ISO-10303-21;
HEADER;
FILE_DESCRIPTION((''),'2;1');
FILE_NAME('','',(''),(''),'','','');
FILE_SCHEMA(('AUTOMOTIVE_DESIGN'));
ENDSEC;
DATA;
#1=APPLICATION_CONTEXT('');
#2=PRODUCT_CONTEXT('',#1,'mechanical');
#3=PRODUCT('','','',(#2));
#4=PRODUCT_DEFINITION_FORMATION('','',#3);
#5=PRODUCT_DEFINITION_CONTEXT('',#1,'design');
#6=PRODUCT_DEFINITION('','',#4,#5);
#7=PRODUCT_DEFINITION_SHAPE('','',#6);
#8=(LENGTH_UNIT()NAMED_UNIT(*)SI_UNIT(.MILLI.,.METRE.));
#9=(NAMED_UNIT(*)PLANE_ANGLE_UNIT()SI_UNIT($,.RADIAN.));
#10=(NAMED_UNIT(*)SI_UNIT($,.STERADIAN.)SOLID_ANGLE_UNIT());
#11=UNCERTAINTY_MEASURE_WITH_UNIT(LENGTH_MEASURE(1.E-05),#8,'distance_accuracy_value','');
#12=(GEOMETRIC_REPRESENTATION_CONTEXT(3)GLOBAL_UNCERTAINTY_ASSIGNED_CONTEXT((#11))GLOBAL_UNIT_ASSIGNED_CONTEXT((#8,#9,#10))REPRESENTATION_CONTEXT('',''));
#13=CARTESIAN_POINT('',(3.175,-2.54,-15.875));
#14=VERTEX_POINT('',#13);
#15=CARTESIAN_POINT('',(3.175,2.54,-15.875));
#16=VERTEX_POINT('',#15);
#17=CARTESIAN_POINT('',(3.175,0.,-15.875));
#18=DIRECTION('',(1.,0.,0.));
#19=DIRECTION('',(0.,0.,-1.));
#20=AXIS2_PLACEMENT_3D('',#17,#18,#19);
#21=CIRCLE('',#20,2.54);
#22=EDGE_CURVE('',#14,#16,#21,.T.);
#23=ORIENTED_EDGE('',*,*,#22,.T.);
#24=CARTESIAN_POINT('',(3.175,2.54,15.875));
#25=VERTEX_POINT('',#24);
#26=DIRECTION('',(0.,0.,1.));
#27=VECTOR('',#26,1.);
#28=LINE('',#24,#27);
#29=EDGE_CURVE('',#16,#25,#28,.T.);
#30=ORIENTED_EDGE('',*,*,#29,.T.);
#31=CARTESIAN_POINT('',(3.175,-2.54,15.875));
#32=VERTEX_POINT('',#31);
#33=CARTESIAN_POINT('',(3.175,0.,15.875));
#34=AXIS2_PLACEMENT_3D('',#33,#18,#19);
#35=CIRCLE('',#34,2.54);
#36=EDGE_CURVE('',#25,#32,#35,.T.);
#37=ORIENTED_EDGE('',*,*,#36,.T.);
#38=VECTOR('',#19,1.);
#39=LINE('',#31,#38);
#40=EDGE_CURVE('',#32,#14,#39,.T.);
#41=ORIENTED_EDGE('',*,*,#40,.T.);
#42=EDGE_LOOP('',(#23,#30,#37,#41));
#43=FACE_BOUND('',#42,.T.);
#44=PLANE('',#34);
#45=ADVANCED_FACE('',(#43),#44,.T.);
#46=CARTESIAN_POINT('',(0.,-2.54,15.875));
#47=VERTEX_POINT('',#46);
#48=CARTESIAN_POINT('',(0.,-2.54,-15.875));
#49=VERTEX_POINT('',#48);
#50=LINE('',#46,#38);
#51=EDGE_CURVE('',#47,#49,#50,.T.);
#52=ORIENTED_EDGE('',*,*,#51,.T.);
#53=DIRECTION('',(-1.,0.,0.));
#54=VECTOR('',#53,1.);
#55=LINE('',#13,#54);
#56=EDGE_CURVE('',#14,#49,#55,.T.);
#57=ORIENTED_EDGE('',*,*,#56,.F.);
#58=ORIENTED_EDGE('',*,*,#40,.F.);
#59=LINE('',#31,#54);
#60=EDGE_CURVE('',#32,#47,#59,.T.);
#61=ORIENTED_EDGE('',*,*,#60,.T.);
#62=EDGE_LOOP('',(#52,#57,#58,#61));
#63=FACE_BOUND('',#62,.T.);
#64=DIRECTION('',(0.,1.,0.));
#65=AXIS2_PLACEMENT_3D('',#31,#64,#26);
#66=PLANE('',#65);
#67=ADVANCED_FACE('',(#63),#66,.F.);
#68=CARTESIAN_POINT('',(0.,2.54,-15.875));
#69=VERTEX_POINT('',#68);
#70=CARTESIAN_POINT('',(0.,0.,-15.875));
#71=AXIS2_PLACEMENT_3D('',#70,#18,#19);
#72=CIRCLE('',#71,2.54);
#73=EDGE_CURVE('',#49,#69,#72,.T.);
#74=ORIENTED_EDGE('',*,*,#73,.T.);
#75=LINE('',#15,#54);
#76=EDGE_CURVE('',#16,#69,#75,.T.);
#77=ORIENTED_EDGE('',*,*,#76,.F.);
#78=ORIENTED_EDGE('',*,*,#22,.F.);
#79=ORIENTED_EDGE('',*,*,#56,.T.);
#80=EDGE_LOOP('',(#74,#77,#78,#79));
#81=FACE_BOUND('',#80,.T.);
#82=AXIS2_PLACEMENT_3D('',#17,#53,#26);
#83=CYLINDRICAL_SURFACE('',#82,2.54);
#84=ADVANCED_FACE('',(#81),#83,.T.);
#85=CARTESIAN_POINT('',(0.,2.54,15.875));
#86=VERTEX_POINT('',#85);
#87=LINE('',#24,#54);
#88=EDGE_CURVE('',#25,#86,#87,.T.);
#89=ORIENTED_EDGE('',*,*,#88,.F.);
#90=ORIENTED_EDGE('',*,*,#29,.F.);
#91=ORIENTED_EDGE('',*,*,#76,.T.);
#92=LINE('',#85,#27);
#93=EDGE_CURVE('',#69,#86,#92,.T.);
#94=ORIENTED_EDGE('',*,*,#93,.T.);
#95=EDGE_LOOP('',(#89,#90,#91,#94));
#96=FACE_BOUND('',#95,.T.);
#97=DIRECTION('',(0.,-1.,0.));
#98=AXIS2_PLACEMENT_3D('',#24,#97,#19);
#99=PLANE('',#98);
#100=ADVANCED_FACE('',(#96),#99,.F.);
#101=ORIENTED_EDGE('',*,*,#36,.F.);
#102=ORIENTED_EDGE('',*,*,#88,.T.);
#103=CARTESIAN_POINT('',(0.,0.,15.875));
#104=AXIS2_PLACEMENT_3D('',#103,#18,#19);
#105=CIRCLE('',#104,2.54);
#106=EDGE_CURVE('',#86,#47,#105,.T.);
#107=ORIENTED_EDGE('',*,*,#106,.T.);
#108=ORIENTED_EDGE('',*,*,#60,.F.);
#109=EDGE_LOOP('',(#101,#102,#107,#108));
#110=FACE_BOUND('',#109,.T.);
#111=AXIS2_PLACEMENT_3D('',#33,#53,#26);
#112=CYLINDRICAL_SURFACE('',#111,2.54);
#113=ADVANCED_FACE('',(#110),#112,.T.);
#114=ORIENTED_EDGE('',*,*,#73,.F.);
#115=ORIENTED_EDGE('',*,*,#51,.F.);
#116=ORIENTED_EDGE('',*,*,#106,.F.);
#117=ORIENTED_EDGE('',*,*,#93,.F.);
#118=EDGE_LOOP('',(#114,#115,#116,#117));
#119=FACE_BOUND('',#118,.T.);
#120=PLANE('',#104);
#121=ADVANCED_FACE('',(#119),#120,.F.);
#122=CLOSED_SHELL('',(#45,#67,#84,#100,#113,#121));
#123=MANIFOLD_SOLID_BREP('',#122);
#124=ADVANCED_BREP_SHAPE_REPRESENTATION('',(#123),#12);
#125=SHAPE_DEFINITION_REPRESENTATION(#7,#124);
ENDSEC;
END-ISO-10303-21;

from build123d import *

# Parameters (mm, degrees)
BOSS_EXTRUDE1_DEPTH = 3.175


with BuildPart() as part:
    # Sketch1 → Boss-Extrude1 (new body)
    with BuildSketch(Plane(origin=(0, 0, 0), x_dir=(0, 0, -1), z_dir=(1, 0, 0))):
        with BuildLine():
            Line((-15.875, 2.54), (15.875, 2.54))
            ThreePointArc((15.875, 2.54), (18.415, 0), (15.875, -2.54))
            Line((15.875, -2.54), (-15.875, -2.54))
            ThreePointArc((-15.875, -2.54), (-18.415, 0), (-15.875, 2.54))
        make_face()
    extrude(amount=BOSS_EXTRUDE1_DEPTH)


solid = part.part
